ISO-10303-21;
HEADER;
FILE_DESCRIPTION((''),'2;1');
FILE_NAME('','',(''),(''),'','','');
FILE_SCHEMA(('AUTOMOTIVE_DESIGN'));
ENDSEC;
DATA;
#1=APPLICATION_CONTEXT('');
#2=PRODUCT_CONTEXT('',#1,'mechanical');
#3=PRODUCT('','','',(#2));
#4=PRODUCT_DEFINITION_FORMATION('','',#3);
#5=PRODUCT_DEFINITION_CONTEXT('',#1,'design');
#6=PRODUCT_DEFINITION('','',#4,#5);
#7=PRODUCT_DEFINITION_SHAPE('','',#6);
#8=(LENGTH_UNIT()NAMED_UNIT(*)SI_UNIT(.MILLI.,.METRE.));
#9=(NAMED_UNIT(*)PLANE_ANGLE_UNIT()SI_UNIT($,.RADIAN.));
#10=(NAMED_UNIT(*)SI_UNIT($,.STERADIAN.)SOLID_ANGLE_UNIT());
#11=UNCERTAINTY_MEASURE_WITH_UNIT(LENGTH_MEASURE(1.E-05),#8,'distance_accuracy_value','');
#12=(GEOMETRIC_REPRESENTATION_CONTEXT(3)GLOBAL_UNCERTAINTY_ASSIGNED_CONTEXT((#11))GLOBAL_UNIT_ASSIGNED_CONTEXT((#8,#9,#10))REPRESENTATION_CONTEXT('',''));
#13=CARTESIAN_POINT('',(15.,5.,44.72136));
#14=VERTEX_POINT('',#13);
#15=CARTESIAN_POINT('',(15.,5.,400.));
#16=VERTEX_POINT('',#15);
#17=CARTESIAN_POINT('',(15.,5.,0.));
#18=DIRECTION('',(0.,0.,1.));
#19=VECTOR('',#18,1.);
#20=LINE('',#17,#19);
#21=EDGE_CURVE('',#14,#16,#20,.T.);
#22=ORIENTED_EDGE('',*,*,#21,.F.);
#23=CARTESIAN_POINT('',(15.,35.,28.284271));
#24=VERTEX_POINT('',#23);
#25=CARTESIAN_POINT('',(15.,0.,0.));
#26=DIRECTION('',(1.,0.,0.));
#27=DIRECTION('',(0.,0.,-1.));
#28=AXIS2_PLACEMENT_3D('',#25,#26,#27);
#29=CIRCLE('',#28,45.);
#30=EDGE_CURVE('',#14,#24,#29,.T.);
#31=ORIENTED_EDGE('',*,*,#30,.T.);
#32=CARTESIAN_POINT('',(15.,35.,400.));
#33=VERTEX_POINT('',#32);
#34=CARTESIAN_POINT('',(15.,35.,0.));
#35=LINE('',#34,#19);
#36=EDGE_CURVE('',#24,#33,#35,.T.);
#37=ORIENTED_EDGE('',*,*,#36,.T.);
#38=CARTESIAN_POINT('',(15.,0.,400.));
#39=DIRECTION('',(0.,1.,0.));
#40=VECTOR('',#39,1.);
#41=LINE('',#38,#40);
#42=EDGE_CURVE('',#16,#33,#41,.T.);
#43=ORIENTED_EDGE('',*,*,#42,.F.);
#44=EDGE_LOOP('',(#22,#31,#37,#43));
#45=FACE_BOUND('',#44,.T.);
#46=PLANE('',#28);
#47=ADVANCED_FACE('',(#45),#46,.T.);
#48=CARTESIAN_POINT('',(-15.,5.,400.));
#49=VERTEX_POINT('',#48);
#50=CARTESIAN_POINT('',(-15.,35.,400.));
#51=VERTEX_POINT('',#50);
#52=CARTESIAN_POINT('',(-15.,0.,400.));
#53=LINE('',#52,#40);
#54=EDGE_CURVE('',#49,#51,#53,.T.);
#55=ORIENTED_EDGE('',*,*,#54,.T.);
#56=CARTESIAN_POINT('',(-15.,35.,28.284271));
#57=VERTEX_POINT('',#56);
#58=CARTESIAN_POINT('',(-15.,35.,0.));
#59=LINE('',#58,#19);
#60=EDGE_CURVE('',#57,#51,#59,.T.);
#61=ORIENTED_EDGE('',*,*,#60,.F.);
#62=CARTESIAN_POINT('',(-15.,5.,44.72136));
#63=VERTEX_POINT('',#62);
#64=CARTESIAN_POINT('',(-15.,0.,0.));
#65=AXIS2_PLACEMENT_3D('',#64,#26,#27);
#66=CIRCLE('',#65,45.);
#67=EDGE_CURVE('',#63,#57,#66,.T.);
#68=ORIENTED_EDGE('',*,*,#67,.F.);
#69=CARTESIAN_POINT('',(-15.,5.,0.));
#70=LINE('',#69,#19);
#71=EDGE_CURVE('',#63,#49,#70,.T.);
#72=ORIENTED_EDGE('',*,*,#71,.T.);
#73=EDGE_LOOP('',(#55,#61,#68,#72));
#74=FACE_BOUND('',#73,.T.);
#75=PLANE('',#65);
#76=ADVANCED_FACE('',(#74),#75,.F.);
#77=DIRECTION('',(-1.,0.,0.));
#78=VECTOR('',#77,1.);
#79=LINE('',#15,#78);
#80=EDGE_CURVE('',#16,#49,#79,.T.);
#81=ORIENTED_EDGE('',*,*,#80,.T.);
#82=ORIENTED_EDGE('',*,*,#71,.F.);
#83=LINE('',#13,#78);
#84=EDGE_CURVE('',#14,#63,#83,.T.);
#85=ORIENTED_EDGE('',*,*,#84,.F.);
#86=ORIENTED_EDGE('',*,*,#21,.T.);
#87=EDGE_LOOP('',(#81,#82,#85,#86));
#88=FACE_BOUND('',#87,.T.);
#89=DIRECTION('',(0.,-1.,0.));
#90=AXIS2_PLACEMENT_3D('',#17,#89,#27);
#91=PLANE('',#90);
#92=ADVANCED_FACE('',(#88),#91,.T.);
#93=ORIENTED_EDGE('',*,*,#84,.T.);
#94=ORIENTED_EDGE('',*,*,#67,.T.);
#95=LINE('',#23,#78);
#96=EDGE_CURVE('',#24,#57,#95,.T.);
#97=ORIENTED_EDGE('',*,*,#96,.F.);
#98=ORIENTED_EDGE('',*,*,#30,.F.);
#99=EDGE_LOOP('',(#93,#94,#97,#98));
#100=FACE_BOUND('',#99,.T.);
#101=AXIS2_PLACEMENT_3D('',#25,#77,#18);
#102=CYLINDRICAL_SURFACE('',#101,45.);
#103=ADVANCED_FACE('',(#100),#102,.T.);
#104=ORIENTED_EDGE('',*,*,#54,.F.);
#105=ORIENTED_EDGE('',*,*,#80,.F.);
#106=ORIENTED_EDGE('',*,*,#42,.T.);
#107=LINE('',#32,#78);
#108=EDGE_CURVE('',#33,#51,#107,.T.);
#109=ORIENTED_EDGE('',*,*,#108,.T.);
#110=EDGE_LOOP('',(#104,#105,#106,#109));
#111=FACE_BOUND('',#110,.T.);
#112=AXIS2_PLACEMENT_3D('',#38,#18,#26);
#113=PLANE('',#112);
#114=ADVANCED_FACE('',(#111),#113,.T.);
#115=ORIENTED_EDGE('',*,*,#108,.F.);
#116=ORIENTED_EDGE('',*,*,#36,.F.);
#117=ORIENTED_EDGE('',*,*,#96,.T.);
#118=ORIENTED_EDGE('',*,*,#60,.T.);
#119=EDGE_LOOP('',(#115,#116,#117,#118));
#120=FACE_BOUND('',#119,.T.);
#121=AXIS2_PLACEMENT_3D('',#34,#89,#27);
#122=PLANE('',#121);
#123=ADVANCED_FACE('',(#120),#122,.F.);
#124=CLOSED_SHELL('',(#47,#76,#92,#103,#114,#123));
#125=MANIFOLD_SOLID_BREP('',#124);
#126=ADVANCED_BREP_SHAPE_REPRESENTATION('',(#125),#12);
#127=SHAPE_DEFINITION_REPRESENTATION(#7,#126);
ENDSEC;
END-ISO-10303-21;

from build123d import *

# Parameters (mm, degrees)
BOSS_EXTRUDE1_DEPTH = 15


with BuildPart() as part:
    # Sketch1 → Boss-Extrude1 (new, symmetric)
    with BuildSketch(Plane(origin=(0, 0, 0), x_dir=(0, 0, -1), z_dir=(1, 0, 0))):
        with BuildLine():
            Line((-1.48e-15, 34.99999999999999), (-1.48e-15, 5))
            Line((-1.48e-15, 5), (-44.72135954999586, 4.999999999999995))
            ThreePointArc((-44.721359549995825, 4.999999999999726), (-2.5038790156662976, -44.930285886859274), (45, -1.102e-14))
            ThreePointArc((45, 0), (19.393398282202586, 40.60660171779783), (-28.28427124746052, 35.000000000001116))
            Line((-28.28427124746018, 34.99999999999999), (-1.48e-15, 34.99999999999999))
        make_face()
        with BuildLine():
            Line((-44.72135954999586, 4.999999999999995), (-1.48e-15, 5))
            Line((-1.48e-15, 5), (-1.48e-15, 34.99999999999999))
            Line((-1.48e-15, 34.99999999999999), (-28.28427124746018, 34.99999999999999))
            ThreePointArc((-28.28427124746052, 35.000000000001116), (-39.464611134960485, 21.622776601684457), (-44.721359549995825, 4.999999999999726))
        make_face()
        with BuildLine():
            Line((-400, 4.99999999999995), (-44.72135954999586, 4.999999999999995))
            ThreePointArc((-44.721359549995825, 4.999999999999726), (-39.464611134960485, 21.622776601684457), (-28.28427124746052, 35.000000000001116))
            Line((-28.28427124746018, 34.99999999999999), (-400, 34.99999999999995))
            Line((-400, 34.99999999999995), (-400, 4.99999999999995))
        make_face()
    extrude(amount=BOSS_EXTRUDE1_DEPTH, both=True)


solid = part.part
